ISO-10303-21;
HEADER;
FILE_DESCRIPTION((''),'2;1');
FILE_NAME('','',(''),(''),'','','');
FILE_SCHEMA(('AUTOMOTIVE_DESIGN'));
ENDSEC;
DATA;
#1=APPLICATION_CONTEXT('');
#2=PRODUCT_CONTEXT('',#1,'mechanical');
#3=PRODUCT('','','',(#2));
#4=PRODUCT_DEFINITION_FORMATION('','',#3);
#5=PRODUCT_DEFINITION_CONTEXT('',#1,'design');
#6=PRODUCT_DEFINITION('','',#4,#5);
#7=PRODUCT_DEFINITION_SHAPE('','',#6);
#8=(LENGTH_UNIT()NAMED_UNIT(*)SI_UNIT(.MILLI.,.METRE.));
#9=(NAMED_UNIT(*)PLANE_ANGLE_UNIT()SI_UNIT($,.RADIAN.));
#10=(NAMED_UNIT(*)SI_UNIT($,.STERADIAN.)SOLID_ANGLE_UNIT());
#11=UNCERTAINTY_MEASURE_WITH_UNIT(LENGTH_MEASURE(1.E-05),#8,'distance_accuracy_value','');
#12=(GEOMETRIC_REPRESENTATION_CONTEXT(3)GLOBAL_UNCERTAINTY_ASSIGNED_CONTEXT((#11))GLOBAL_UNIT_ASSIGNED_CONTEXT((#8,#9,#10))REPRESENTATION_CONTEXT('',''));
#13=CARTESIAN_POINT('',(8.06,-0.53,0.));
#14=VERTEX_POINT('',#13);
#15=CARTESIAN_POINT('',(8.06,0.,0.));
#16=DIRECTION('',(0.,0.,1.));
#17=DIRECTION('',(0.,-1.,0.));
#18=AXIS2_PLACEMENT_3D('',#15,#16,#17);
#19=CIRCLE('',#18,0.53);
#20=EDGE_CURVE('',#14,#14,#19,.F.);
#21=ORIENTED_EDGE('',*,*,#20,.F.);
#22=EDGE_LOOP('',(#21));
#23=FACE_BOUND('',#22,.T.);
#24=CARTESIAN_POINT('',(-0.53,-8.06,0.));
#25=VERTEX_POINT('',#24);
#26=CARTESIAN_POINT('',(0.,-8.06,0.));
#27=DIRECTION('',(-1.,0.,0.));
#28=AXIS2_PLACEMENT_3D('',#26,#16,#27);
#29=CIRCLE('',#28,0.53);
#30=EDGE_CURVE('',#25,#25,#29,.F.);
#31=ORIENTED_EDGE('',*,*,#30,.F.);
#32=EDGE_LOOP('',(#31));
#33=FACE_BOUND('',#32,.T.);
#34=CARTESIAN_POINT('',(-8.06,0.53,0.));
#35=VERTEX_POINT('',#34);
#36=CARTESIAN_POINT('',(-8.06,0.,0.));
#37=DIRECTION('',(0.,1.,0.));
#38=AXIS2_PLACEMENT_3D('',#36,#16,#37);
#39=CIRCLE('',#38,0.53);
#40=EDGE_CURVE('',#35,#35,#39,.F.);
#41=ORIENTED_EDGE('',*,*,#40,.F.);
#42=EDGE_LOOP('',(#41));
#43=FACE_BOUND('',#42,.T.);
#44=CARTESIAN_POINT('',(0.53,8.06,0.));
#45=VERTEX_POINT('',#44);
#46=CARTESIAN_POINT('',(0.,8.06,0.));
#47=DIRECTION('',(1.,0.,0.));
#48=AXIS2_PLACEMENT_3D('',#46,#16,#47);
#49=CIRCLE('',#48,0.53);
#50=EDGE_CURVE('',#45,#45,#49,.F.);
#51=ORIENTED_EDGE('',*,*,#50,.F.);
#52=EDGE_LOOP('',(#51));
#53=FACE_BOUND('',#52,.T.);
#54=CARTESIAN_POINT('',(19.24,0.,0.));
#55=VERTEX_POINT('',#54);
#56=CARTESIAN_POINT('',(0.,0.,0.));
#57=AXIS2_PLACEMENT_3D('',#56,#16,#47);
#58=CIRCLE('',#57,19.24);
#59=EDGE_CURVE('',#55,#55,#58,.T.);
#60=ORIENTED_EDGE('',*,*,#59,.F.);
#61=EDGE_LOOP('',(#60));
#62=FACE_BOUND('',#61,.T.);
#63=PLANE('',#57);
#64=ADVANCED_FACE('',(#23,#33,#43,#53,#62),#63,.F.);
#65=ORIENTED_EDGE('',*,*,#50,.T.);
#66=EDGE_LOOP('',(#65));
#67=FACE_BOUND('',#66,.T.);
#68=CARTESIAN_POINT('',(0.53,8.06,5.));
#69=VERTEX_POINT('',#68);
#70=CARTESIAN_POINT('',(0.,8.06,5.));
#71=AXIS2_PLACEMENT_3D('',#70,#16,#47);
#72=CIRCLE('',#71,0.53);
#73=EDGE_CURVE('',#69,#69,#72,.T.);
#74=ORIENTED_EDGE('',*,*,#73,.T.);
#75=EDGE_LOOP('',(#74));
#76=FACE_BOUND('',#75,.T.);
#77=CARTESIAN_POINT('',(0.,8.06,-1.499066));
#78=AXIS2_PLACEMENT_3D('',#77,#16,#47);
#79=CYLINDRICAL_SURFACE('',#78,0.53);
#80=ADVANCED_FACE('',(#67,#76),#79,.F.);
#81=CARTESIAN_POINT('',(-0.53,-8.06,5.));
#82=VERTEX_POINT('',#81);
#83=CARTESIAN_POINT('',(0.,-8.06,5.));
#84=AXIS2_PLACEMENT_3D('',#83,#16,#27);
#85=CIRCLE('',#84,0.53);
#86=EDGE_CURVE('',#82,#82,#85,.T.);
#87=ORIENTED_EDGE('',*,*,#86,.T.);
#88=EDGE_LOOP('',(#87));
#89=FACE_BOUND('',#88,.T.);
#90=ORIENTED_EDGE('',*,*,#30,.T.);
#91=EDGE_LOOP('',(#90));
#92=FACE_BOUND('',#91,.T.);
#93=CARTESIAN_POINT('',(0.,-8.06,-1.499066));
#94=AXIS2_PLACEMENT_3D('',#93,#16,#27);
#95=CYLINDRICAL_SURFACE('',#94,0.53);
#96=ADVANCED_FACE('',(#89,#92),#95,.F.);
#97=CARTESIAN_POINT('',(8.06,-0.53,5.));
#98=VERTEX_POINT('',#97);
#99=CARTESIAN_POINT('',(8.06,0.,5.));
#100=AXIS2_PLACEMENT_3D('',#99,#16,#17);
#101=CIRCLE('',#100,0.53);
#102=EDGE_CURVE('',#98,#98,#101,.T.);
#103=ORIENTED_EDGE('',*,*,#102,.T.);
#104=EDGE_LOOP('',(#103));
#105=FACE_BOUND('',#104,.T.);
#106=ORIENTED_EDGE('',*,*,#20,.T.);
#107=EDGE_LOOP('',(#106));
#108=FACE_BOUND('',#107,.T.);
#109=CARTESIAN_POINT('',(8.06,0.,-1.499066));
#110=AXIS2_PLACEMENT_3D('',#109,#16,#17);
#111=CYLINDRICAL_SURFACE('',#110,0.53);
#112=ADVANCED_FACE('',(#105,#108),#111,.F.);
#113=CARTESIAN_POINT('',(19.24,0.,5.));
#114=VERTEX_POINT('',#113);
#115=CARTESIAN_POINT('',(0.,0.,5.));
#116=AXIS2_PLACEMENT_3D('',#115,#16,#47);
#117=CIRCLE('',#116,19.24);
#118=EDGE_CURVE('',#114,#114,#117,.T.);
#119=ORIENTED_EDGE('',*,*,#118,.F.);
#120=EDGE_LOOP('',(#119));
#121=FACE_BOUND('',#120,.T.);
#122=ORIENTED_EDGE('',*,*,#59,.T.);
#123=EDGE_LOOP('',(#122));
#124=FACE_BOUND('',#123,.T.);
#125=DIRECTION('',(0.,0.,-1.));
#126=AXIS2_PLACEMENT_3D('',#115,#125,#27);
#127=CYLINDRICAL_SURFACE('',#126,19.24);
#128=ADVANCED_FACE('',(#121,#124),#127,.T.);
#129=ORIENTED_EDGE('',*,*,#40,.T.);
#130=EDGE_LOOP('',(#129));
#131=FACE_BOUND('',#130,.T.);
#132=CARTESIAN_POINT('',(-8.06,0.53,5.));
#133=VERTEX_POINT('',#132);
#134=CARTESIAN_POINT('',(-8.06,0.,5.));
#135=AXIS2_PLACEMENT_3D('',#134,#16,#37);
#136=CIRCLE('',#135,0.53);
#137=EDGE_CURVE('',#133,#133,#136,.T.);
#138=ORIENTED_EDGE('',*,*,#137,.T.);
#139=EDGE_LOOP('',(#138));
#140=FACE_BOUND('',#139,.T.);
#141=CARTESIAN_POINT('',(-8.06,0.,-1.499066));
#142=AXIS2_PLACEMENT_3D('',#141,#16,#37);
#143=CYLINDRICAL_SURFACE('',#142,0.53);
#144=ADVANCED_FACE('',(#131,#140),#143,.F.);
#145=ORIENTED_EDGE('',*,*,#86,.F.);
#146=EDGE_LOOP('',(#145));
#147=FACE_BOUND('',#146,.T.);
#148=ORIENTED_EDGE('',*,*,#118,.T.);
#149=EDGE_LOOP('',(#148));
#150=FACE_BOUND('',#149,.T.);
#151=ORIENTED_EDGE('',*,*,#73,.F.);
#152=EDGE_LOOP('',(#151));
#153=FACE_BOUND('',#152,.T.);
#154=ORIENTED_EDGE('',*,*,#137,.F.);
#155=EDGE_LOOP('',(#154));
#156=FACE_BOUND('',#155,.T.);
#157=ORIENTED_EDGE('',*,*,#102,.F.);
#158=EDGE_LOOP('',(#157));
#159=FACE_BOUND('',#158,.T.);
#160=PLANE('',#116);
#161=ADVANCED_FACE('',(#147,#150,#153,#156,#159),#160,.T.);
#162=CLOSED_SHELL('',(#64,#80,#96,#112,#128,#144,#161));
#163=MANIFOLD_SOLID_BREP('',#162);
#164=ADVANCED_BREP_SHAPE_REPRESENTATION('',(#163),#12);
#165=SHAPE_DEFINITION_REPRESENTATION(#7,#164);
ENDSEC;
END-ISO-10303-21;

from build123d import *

# Parameters (mm, degrees)
ESQUISSE1_R                  = 19.24
BOSS_EXTRU_1_DEPTH           = 5
ESQUISSE2_R                  = 0.53
ENL_V_MAT_EXTRU_1_DEPTH      = 5
R_P_TITION_CIRCULAIRE1_COUNT = 4


with BuildPart() as part:
    # Esquisse1 → Boss.-Extru.1 (new body)
    with BuildSketch(Plane.XY):
        Circle(ESQUISSE1_R)
    extrude(amount=BOSS_EXTRU_1_DEPTH)

    # Esquisse2 → Enlèv. mat.-Extru.1 (cut)
    with BuildSketch(Plane.XY.offset(5)):
        with Locations((0, 8.06)):
            Circle(ESQUISSE2_R)
    enl_v_mat_extru_1 = extrude(amount=-ENL_V_MAT_EXTRU_1_DEPTH, mode=Mode.SUBTRACT)

    # Répétition circulaire1: Enlèv. mat.-Extru.1 ×4 about axis
    r_p_tition_circulaire1_axis = Axis((0, 0, 0), (0, 0, 1))
    for i in range(1, R_P_TITION_CIRCULAIRE1_COUNT):
        add(enl_v_mat_extru_1.rotate(r_p_tition_circulaire1_axis, i * 360 / R_P_TITION_CIRCULAIRE1_COUNT), mode=Mode.SUBTRACT)


solid = part.part
